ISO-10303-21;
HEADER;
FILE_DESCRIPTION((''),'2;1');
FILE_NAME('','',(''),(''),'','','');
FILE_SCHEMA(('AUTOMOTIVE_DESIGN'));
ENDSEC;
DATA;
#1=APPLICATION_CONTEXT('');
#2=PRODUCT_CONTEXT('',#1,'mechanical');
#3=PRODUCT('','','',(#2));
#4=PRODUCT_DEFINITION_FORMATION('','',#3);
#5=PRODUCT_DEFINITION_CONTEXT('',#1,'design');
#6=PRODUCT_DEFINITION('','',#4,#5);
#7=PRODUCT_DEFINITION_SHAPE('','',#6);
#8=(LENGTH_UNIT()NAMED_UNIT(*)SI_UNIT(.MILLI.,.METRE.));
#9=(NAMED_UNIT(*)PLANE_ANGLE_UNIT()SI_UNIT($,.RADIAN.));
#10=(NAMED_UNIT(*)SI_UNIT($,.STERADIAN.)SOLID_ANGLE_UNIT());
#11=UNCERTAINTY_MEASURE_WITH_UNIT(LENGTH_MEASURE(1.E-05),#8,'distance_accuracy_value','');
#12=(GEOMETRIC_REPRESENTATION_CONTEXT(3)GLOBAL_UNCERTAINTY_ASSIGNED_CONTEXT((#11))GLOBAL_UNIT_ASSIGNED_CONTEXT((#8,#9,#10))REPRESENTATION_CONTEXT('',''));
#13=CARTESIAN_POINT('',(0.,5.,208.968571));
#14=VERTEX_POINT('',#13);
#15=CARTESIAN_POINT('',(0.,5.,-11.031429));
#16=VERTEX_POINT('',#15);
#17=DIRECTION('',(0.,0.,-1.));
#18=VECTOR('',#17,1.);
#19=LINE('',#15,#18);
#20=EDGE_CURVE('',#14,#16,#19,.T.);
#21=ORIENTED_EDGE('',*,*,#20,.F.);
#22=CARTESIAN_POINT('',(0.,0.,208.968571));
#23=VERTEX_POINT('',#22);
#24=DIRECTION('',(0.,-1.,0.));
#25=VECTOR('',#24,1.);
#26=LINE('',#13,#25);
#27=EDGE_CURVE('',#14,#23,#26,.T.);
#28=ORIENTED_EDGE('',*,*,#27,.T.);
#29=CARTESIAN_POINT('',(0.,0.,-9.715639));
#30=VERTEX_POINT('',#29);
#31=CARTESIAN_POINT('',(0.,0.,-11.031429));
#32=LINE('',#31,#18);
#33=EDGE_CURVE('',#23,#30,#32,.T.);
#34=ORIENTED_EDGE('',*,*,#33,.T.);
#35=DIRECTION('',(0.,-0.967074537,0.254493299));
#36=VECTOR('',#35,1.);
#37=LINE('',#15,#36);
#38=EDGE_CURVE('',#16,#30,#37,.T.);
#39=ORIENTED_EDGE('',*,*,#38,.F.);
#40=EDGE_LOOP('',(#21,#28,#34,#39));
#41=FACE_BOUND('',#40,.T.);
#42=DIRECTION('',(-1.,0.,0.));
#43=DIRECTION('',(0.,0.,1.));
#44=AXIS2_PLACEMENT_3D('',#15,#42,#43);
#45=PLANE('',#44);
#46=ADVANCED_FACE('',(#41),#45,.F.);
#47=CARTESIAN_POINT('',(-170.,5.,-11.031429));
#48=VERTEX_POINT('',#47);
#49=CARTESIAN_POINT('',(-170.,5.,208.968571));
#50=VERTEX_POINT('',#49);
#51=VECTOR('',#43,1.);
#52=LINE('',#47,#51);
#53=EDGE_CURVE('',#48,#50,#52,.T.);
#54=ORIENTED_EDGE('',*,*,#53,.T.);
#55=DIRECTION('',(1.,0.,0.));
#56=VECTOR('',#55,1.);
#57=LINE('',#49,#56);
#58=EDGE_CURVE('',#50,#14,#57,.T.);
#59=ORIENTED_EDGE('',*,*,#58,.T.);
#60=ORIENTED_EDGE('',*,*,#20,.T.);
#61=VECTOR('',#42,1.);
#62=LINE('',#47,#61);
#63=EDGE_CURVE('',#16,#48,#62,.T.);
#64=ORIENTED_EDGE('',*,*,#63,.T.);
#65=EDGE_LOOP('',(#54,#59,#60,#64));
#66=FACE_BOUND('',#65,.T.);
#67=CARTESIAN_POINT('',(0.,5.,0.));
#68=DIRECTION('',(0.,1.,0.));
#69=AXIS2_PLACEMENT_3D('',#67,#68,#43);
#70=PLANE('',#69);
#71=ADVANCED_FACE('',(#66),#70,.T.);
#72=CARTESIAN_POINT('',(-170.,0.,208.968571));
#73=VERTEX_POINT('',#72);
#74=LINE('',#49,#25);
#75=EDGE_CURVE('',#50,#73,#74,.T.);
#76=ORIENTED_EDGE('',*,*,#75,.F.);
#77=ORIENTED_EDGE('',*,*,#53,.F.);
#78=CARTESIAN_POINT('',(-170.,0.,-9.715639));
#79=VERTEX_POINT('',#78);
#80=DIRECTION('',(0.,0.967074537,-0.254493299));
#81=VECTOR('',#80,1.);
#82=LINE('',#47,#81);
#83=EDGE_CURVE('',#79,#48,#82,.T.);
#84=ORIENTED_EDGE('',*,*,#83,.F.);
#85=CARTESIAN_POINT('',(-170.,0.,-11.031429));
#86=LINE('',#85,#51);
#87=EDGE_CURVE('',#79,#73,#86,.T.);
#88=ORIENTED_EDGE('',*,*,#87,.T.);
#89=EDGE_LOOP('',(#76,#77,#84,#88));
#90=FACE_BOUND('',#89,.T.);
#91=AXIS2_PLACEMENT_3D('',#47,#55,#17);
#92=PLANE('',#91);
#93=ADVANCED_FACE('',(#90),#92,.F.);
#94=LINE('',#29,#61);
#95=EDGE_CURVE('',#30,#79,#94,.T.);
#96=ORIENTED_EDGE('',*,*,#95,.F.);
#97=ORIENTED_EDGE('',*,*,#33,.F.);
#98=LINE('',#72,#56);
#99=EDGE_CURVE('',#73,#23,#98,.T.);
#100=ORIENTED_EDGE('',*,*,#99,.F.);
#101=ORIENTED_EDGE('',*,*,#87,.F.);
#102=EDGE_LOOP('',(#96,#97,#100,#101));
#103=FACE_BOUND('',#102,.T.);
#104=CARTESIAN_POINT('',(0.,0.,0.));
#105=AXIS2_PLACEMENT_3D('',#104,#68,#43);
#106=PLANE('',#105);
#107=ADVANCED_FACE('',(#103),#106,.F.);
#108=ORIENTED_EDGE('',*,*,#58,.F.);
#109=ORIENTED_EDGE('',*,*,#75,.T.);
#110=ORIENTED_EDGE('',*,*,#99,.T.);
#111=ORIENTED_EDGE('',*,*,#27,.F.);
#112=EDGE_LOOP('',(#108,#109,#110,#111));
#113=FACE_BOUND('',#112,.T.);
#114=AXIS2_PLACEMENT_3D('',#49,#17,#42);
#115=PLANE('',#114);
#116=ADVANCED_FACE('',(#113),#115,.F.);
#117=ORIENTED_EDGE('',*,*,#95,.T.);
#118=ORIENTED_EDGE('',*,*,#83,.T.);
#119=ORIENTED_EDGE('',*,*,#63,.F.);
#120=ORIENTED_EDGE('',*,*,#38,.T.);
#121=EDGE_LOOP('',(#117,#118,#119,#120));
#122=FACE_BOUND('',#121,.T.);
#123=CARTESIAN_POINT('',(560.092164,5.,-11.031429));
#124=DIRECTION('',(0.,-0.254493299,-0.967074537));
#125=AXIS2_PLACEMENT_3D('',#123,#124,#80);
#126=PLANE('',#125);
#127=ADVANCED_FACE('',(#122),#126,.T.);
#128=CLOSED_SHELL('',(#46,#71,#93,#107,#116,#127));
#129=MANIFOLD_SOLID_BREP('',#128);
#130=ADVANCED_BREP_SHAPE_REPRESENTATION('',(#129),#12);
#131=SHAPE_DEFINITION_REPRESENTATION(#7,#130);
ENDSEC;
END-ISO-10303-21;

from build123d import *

# Parameters (mm, degrees)
CROQUIS1_W                 = 170
CROQUIS1_H                 = 220
SALIENTE_EXTRUIR1_DEPTH    = 5
CORTAR_EXTRUIR1_DEPTH      = 1
CORTAR_EXTRUIR1_DEPTH_BACK = 171


with BuildPart() as part:
    # Croquis1 → Saliente-Extruir1 (new body)
    with BuildSketch(Plane(origin=(0, 0, 0), x_dir=(1, 0, 0), z_dir=(0, 1, 0))):
        with Locations((-85, -98.968571429)):
            Rectangle(CROQUIS1_W, CROQUIS1_H)
    extrude(amount=SALIENTE_EXTRUIR1_DEPTH)

    # Croquis2 → Cortar-Extruir1 (cut, two sides)
    with BuildSketch(Plane(origin=(0, 0, 0), x_dir=(0, 0, -1), z_dir=(1, 0, 0))) as cortar_extruir1_sk:
        Polygon((125.582329234, 440.293422408), (11.031428571, 5), (7.736165295, -7.522000448), (-106.814735367, -442.815422855), (763.772109448, -671.91722418), (996.169174049, 211.191621083), align=None)
    extrude(amount=CORTAR_EXTRUIR1_DEPTH, mode=Mode.SUBTRACT)
    extrude(cortar_extruir1_sk.sketch, amount=-CORTAR_EXTRUIR1_DEPTH_BACK, mode=Mode.SUBTRACT)


solid = part.part
